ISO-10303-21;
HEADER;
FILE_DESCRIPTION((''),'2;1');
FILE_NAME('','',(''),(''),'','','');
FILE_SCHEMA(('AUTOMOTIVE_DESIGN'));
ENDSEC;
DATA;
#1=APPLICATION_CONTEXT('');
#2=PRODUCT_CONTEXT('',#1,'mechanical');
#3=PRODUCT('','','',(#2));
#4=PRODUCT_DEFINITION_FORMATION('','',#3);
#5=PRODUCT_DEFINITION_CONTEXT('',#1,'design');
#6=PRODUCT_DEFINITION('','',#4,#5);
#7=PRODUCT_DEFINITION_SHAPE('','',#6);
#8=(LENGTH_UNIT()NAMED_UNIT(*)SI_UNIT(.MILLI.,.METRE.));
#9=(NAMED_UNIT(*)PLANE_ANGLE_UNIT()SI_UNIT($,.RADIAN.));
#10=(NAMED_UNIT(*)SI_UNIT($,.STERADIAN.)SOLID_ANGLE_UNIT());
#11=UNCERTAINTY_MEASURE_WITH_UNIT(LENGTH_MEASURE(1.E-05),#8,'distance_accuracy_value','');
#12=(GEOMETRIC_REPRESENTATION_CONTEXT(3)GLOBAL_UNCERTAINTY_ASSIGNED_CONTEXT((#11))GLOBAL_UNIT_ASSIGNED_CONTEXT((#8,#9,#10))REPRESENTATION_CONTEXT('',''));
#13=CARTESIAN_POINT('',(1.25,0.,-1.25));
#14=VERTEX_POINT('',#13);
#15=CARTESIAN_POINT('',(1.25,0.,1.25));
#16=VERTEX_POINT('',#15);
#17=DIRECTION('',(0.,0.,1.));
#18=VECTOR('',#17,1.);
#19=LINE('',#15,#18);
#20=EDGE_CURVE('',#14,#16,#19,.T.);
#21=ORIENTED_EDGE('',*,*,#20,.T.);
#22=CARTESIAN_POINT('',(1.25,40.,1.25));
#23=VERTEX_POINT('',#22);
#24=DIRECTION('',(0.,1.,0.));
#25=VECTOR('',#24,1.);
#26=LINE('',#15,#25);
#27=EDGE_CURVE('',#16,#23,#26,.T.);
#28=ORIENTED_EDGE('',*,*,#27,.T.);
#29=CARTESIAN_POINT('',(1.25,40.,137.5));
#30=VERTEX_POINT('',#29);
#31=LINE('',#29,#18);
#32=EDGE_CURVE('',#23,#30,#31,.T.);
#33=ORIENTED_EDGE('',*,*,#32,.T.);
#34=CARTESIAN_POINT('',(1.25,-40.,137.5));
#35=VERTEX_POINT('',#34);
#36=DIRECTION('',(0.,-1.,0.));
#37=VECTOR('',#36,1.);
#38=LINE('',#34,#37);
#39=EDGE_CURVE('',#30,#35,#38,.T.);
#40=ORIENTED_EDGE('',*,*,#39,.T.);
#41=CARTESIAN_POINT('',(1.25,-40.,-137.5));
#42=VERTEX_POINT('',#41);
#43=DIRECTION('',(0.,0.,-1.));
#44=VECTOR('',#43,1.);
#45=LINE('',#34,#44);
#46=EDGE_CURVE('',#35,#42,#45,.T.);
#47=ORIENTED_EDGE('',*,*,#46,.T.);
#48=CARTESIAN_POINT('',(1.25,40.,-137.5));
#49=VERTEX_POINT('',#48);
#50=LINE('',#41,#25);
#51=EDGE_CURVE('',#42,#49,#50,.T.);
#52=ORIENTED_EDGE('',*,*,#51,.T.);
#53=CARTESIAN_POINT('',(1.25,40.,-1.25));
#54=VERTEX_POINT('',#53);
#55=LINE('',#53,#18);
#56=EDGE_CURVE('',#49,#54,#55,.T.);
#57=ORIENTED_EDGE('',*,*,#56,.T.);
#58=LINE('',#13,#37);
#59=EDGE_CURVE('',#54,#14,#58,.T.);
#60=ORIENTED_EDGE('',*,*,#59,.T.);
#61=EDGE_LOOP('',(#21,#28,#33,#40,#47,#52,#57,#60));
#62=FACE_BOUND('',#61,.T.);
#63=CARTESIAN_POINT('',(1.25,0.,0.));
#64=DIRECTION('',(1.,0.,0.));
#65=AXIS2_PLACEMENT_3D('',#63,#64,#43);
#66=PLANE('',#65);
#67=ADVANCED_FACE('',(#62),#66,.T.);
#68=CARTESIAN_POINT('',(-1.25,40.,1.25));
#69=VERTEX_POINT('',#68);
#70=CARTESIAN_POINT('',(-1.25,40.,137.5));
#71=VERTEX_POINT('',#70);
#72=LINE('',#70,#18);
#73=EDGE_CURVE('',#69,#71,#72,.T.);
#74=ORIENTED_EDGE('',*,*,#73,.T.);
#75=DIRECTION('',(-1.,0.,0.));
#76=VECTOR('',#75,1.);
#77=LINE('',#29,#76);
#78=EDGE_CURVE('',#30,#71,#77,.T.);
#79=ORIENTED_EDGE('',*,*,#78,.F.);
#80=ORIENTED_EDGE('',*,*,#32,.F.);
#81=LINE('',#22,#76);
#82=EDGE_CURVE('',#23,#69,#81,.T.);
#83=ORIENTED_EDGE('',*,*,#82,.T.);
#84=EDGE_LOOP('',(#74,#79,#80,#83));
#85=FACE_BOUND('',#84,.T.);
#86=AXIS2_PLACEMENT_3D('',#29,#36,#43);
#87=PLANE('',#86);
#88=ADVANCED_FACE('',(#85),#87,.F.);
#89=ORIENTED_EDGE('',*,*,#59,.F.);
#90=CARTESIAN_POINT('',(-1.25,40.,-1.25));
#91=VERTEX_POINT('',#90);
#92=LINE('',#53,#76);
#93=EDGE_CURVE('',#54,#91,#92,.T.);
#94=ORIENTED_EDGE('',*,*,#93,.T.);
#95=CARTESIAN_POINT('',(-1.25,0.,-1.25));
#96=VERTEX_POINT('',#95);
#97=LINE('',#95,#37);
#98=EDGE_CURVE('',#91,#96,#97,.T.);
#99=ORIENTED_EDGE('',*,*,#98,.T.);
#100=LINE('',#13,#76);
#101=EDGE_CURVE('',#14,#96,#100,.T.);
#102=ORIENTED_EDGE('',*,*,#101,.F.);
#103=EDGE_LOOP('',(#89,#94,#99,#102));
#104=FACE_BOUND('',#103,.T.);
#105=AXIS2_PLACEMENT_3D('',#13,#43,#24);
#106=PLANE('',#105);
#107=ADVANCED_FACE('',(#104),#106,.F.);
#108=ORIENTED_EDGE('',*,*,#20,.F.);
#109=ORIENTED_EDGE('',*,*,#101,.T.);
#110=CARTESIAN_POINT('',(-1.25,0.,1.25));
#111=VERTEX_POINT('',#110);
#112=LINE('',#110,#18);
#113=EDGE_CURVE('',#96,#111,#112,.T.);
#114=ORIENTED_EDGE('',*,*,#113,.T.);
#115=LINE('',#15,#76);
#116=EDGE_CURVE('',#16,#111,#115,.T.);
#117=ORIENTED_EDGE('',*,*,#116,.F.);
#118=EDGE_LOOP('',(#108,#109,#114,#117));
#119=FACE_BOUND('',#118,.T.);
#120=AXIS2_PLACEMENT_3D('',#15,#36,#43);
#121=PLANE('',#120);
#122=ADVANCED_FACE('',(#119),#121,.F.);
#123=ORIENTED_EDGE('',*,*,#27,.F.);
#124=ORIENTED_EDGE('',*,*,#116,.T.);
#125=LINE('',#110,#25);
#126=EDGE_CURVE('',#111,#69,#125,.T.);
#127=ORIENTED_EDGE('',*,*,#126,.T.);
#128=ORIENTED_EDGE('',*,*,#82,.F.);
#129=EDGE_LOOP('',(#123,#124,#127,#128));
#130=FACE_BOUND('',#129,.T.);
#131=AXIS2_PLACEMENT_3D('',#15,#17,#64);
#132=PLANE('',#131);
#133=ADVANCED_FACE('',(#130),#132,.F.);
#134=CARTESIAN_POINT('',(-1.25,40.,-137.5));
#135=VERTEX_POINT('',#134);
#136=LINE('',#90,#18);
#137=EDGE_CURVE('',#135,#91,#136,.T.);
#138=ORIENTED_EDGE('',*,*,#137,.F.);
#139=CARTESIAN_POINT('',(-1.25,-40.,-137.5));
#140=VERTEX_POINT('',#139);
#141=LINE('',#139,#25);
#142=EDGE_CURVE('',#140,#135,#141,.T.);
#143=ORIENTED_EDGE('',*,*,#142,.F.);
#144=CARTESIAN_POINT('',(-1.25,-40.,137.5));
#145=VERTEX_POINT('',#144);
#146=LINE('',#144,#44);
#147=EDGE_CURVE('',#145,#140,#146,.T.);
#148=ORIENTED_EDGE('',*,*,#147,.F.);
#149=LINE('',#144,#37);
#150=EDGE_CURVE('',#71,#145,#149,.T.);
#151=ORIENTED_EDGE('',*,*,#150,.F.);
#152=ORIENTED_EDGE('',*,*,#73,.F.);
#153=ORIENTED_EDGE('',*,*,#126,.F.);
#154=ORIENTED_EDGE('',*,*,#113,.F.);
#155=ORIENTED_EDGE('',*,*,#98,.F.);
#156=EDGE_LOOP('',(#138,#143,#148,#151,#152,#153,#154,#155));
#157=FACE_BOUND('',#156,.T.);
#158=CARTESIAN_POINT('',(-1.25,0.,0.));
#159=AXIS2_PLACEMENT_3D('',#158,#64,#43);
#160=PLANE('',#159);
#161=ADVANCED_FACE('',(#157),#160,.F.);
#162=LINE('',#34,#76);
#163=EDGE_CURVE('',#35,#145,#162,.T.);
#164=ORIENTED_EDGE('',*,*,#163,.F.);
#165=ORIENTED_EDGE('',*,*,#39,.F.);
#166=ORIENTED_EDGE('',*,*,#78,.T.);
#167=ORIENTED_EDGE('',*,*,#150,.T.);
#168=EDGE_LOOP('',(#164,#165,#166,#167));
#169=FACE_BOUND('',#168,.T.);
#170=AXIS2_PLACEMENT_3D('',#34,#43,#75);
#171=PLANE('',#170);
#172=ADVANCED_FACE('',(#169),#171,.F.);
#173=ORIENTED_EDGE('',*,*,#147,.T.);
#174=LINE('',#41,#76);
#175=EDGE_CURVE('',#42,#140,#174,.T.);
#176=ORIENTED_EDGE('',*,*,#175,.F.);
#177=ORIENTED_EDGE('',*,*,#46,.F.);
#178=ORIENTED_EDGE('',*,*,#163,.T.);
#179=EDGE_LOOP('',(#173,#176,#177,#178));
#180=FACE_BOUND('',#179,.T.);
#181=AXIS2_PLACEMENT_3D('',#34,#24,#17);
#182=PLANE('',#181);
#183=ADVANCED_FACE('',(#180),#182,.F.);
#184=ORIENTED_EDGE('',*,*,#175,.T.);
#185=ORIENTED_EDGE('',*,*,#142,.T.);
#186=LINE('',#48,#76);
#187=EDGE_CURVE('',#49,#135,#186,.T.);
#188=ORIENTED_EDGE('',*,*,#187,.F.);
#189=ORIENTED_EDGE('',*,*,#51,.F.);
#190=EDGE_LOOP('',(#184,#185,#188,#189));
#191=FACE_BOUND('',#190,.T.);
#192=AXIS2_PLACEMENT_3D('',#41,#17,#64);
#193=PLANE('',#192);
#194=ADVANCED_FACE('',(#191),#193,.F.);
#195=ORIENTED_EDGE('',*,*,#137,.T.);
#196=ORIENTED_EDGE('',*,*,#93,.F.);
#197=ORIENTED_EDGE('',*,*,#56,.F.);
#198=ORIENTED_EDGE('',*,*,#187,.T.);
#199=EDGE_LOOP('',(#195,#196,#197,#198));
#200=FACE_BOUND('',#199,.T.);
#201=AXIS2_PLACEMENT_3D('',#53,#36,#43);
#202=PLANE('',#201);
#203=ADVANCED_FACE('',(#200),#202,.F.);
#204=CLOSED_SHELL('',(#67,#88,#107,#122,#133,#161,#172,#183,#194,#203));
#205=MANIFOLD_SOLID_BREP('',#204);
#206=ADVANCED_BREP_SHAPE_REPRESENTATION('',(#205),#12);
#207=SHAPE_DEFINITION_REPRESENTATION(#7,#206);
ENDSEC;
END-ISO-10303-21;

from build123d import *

# Parameters (mm, degrees)
BOSS_EXTRUDE1_DEPTH = 1.25


with BuildPart() as part:
    # Sketch1 → Boss-Extrude1 (new, symmetric)
    with BuildSketch(Plane(origin=(0, 0, 0), x_dir=(0, 0, -1), z_dir=(1, 0, 0))):
        Polygon((-137.5, -40), (137.5, -40), (137.5, 40), (1.25, 40), (1.25, 0), (-1.25, 0), (-1.25, 40), (-137.5, 40), align=None)
    extrude(amount=BOSS_EXTRUDE1_DEPTH, both=True)


solid = part.part
